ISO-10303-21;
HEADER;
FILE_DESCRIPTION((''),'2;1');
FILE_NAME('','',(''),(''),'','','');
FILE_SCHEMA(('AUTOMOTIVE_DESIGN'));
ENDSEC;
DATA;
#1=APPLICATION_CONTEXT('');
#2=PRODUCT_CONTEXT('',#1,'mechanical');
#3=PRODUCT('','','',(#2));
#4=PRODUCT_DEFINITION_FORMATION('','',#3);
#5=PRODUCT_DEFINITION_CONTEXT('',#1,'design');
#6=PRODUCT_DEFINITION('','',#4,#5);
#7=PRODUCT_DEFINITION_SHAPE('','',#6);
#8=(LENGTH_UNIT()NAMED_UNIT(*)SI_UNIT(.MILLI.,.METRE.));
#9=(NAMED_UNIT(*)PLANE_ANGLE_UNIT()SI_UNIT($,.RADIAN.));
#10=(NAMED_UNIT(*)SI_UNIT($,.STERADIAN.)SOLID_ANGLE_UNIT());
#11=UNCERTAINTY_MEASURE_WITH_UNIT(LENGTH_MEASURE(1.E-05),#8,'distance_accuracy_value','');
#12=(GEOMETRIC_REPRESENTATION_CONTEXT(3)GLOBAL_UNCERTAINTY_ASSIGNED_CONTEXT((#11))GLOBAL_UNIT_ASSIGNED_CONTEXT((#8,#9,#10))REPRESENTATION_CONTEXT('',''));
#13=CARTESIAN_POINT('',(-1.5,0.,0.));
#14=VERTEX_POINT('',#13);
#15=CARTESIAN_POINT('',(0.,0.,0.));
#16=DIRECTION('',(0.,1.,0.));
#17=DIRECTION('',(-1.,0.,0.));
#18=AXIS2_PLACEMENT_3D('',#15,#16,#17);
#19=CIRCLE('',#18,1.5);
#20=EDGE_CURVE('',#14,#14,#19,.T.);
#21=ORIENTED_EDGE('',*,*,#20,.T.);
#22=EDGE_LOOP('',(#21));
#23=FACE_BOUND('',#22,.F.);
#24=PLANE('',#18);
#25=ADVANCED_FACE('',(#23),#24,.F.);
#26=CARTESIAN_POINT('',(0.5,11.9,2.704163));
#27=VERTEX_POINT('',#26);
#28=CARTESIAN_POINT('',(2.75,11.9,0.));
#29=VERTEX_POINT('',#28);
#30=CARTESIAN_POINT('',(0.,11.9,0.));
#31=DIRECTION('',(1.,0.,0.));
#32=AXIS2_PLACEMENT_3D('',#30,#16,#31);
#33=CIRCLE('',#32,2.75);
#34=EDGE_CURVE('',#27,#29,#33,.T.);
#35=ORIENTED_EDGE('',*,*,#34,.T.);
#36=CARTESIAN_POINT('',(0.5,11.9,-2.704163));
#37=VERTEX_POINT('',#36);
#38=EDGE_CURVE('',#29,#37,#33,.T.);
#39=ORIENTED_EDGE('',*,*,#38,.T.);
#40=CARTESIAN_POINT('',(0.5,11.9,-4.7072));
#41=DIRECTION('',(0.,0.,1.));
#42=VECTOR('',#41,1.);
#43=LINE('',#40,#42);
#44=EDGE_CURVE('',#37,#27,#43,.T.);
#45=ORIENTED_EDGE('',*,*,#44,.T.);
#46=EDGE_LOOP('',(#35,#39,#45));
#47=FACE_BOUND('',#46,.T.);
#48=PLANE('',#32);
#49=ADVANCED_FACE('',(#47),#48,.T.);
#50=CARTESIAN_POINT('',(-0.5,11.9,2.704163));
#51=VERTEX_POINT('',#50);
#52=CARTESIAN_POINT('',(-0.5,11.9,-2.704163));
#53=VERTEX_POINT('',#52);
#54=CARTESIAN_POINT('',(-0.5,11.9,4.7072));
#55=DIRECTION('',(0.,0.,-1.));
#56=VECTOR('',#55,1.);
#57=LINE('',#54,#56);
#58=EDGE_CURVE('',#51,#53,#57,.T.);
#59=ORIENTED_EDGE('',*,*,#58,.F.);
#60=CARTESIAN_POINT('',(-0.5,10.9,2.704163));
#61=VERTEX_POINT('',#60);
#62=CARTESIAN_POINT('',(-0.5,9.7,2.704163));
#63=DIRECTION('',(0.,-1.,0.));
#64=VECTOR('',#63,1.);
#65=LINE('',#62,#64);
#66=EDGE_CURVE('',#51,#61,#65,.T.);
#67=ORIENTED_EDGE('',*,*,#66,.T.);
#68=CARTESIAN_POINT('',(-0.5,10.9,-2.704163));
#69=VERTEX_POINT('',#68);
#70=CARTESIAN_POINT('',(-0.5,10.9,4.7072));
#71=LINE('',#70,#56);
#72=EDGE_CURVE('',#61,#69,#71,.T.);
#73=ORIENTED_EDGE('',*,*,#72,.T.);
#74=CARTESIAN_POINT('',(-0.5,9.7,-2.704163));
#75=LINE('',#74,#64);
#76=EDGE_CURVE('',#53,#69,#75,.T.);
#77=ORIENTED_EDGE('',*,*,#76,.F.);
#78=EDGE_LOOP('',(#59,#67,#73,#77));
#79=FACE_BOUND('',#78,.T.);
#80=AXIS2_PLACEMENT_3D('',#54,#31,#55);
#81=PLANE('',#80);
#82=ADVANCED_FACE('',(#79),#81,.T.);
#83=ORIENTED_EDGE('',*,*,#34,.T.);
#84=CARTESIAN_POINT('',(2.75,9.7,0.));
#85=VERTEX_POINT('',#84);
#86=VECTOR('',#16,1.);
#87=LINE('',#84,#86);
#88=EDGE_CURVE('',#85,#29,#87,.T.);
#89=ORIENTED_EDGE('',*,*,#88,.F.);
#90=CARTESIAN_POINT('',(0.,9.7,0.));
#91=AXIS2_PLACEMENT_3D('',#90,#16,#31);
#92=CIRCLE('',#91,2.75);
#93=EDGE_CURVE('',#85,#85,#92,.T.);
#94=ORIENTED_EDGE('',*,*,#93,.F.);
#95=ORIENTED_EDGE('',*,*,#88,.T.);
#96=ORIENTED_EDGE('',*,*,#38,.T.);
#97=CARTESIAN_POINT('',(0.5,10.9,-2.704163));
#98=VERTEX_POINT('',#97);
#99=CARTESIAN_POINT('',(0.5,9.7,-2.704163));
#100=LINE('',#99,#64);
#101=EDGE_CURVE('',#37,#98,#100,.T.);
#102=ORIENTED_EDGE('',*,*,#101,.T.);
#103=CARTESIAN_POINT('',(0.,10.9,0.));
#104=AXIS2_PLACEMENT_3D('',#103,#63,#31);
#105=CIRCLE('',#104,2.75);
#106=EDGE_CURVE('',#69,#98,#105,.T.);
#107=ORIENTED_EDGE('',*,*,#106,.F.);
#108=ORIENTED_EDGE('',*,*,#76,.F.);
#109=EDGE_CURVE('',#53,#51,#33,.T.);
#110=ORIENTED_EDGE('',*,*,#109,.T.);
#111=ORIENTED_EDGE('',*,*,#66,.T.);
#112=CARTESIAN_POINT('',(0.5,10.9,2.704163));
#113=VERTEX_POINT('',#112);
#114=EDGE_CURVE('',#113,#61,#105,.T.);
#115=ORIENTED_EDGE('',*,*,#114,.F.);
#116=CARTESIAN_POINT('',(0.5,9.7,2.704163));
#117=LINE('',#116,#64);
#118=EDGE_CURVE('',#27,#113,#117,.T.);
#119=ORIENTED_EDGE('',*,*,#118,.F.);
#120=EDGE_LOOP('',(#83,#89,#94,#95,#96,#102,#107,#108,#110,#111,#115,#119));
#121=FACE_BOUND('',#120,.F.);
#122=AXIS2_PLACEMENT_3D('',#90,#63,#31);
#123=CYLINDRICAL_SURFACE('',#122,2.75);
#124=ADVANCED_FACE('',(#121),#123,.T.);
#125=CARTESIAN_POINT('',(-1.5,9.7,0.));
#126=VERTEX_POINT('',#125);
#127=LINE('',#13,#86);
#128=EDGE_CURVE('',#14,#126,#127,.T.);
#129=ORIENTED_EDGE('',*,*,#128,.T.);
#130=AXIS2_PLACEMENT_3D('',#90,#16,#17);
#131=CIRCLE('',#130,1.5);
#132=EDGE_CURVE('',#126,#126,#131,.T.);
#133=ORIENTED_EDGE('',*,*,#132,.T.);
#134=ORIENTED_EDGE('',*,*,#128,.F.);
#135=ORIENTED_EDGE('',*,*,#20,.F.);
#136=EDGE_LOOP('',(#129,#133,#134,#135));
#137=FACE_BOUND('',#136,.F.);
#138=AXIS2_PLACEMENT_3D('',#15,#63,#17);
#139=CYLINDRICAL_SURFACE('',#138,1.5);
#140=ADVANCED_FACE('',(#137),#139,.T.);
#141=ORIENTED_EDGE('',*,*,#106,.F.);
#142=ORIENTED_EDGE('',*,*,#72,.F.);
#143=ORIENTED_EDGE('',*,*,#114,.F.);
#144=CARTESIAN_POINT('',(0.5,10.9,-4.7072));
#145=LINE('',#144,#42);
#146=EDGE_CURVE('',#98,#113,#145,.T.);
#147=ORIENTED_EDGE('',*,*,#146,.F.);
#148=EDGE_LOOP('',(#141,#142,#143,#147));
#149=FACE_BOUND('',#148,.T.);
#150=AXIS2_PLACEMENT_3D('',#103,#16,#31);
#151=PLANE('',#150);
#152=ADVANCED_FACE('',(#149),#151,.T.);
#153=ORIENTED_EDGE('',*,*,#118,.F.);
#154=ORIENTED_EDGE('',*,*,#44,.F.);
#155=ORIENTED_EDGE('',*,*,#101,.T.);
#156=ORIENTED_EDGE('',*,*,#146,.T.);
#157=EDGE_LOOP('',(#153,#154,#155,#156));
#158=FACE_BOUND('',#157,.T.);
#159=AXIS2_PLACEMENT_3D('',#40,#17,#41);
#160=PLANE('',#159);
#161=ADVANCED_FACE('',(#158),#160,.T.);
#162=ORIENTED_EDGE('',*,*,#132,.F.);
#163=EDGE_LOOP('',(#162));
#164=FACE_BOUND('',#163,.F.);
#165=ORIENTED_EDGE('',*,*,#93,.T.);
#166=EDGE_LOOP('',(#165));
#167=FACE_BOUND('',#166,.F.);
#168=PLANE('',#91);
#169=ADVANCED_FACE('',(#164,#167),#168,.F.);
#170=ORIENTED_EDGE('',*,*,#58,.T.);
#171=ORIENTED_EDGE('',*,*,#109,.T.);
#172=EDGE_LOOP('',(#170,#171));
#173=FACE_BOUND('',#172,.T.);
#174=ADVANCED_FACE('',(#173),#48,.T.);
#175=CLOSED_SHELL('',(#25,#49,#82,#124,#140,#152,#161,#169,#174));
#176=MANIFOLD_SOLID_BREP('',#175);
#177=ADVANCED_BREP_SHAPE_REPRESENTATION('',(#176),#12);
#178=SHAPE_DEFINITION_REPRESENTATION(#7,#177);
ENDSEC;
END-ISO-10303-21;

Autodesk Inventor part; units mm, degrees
ref_plane "YZ Plane" through (0, 0, 0) normal (1, 0, 0) x (0, 1, 0)
ref_plane "XZ Plane" through (0, 0, 0) normal (0, 1, 0) x (-1, 0, 0)
ref_plane "XY Plane" through (0, 0, 0) normal (0, 0, 1) x (1, 0, 0)
sketch "Sketch1" plane through (0, 0, 0) normal (0, 1, 0) x (-1, 0, 0)
  circle A0 centre (0, 0) radius 1.5
  dimension "d0" = 3
extrude "Extrusion1" add sketch "Sketch1" along normal blind 9.7
sketch "Sketch2" plane through (0, 9.7, 0) normal (0, 1, 0) x (1, 0, 0)
  circle A0 centre (0, 0) radius 2.75
  dimension "d3" = 5.5
extrude "Extrusion2" add sketch "Sketch2" along normal blind 2.2
sketch "Sketch3" plane through (0, 11.9, 0) normal (0, 1, 0) x (1, 0, 0)
  line L0 (0.5, -4.7072) -> (-0.5, -4.7072)
  line L1 (-0.5, -4.7072) -> (-0.5, 4.7072)
  line L2 (-0.5, 4.7072) -> (0.5, 4.7072)
  line L3 (0.5, 4.7072) -> (0.5, -4.7072)
  line L4 (0.5, -4.7072) -> (-0.5, 4.7072) construction
  line L5 (-0.5, -4.7072) -> (0.5, 4.7072) construction
  point P0 (0, 0)
  dimension "d6" = 1
extrude "Extrusion3" cut sketch "Sketch3" against normal blind 1
properties part number "screw12x3mm" material "Stainless Steel"
